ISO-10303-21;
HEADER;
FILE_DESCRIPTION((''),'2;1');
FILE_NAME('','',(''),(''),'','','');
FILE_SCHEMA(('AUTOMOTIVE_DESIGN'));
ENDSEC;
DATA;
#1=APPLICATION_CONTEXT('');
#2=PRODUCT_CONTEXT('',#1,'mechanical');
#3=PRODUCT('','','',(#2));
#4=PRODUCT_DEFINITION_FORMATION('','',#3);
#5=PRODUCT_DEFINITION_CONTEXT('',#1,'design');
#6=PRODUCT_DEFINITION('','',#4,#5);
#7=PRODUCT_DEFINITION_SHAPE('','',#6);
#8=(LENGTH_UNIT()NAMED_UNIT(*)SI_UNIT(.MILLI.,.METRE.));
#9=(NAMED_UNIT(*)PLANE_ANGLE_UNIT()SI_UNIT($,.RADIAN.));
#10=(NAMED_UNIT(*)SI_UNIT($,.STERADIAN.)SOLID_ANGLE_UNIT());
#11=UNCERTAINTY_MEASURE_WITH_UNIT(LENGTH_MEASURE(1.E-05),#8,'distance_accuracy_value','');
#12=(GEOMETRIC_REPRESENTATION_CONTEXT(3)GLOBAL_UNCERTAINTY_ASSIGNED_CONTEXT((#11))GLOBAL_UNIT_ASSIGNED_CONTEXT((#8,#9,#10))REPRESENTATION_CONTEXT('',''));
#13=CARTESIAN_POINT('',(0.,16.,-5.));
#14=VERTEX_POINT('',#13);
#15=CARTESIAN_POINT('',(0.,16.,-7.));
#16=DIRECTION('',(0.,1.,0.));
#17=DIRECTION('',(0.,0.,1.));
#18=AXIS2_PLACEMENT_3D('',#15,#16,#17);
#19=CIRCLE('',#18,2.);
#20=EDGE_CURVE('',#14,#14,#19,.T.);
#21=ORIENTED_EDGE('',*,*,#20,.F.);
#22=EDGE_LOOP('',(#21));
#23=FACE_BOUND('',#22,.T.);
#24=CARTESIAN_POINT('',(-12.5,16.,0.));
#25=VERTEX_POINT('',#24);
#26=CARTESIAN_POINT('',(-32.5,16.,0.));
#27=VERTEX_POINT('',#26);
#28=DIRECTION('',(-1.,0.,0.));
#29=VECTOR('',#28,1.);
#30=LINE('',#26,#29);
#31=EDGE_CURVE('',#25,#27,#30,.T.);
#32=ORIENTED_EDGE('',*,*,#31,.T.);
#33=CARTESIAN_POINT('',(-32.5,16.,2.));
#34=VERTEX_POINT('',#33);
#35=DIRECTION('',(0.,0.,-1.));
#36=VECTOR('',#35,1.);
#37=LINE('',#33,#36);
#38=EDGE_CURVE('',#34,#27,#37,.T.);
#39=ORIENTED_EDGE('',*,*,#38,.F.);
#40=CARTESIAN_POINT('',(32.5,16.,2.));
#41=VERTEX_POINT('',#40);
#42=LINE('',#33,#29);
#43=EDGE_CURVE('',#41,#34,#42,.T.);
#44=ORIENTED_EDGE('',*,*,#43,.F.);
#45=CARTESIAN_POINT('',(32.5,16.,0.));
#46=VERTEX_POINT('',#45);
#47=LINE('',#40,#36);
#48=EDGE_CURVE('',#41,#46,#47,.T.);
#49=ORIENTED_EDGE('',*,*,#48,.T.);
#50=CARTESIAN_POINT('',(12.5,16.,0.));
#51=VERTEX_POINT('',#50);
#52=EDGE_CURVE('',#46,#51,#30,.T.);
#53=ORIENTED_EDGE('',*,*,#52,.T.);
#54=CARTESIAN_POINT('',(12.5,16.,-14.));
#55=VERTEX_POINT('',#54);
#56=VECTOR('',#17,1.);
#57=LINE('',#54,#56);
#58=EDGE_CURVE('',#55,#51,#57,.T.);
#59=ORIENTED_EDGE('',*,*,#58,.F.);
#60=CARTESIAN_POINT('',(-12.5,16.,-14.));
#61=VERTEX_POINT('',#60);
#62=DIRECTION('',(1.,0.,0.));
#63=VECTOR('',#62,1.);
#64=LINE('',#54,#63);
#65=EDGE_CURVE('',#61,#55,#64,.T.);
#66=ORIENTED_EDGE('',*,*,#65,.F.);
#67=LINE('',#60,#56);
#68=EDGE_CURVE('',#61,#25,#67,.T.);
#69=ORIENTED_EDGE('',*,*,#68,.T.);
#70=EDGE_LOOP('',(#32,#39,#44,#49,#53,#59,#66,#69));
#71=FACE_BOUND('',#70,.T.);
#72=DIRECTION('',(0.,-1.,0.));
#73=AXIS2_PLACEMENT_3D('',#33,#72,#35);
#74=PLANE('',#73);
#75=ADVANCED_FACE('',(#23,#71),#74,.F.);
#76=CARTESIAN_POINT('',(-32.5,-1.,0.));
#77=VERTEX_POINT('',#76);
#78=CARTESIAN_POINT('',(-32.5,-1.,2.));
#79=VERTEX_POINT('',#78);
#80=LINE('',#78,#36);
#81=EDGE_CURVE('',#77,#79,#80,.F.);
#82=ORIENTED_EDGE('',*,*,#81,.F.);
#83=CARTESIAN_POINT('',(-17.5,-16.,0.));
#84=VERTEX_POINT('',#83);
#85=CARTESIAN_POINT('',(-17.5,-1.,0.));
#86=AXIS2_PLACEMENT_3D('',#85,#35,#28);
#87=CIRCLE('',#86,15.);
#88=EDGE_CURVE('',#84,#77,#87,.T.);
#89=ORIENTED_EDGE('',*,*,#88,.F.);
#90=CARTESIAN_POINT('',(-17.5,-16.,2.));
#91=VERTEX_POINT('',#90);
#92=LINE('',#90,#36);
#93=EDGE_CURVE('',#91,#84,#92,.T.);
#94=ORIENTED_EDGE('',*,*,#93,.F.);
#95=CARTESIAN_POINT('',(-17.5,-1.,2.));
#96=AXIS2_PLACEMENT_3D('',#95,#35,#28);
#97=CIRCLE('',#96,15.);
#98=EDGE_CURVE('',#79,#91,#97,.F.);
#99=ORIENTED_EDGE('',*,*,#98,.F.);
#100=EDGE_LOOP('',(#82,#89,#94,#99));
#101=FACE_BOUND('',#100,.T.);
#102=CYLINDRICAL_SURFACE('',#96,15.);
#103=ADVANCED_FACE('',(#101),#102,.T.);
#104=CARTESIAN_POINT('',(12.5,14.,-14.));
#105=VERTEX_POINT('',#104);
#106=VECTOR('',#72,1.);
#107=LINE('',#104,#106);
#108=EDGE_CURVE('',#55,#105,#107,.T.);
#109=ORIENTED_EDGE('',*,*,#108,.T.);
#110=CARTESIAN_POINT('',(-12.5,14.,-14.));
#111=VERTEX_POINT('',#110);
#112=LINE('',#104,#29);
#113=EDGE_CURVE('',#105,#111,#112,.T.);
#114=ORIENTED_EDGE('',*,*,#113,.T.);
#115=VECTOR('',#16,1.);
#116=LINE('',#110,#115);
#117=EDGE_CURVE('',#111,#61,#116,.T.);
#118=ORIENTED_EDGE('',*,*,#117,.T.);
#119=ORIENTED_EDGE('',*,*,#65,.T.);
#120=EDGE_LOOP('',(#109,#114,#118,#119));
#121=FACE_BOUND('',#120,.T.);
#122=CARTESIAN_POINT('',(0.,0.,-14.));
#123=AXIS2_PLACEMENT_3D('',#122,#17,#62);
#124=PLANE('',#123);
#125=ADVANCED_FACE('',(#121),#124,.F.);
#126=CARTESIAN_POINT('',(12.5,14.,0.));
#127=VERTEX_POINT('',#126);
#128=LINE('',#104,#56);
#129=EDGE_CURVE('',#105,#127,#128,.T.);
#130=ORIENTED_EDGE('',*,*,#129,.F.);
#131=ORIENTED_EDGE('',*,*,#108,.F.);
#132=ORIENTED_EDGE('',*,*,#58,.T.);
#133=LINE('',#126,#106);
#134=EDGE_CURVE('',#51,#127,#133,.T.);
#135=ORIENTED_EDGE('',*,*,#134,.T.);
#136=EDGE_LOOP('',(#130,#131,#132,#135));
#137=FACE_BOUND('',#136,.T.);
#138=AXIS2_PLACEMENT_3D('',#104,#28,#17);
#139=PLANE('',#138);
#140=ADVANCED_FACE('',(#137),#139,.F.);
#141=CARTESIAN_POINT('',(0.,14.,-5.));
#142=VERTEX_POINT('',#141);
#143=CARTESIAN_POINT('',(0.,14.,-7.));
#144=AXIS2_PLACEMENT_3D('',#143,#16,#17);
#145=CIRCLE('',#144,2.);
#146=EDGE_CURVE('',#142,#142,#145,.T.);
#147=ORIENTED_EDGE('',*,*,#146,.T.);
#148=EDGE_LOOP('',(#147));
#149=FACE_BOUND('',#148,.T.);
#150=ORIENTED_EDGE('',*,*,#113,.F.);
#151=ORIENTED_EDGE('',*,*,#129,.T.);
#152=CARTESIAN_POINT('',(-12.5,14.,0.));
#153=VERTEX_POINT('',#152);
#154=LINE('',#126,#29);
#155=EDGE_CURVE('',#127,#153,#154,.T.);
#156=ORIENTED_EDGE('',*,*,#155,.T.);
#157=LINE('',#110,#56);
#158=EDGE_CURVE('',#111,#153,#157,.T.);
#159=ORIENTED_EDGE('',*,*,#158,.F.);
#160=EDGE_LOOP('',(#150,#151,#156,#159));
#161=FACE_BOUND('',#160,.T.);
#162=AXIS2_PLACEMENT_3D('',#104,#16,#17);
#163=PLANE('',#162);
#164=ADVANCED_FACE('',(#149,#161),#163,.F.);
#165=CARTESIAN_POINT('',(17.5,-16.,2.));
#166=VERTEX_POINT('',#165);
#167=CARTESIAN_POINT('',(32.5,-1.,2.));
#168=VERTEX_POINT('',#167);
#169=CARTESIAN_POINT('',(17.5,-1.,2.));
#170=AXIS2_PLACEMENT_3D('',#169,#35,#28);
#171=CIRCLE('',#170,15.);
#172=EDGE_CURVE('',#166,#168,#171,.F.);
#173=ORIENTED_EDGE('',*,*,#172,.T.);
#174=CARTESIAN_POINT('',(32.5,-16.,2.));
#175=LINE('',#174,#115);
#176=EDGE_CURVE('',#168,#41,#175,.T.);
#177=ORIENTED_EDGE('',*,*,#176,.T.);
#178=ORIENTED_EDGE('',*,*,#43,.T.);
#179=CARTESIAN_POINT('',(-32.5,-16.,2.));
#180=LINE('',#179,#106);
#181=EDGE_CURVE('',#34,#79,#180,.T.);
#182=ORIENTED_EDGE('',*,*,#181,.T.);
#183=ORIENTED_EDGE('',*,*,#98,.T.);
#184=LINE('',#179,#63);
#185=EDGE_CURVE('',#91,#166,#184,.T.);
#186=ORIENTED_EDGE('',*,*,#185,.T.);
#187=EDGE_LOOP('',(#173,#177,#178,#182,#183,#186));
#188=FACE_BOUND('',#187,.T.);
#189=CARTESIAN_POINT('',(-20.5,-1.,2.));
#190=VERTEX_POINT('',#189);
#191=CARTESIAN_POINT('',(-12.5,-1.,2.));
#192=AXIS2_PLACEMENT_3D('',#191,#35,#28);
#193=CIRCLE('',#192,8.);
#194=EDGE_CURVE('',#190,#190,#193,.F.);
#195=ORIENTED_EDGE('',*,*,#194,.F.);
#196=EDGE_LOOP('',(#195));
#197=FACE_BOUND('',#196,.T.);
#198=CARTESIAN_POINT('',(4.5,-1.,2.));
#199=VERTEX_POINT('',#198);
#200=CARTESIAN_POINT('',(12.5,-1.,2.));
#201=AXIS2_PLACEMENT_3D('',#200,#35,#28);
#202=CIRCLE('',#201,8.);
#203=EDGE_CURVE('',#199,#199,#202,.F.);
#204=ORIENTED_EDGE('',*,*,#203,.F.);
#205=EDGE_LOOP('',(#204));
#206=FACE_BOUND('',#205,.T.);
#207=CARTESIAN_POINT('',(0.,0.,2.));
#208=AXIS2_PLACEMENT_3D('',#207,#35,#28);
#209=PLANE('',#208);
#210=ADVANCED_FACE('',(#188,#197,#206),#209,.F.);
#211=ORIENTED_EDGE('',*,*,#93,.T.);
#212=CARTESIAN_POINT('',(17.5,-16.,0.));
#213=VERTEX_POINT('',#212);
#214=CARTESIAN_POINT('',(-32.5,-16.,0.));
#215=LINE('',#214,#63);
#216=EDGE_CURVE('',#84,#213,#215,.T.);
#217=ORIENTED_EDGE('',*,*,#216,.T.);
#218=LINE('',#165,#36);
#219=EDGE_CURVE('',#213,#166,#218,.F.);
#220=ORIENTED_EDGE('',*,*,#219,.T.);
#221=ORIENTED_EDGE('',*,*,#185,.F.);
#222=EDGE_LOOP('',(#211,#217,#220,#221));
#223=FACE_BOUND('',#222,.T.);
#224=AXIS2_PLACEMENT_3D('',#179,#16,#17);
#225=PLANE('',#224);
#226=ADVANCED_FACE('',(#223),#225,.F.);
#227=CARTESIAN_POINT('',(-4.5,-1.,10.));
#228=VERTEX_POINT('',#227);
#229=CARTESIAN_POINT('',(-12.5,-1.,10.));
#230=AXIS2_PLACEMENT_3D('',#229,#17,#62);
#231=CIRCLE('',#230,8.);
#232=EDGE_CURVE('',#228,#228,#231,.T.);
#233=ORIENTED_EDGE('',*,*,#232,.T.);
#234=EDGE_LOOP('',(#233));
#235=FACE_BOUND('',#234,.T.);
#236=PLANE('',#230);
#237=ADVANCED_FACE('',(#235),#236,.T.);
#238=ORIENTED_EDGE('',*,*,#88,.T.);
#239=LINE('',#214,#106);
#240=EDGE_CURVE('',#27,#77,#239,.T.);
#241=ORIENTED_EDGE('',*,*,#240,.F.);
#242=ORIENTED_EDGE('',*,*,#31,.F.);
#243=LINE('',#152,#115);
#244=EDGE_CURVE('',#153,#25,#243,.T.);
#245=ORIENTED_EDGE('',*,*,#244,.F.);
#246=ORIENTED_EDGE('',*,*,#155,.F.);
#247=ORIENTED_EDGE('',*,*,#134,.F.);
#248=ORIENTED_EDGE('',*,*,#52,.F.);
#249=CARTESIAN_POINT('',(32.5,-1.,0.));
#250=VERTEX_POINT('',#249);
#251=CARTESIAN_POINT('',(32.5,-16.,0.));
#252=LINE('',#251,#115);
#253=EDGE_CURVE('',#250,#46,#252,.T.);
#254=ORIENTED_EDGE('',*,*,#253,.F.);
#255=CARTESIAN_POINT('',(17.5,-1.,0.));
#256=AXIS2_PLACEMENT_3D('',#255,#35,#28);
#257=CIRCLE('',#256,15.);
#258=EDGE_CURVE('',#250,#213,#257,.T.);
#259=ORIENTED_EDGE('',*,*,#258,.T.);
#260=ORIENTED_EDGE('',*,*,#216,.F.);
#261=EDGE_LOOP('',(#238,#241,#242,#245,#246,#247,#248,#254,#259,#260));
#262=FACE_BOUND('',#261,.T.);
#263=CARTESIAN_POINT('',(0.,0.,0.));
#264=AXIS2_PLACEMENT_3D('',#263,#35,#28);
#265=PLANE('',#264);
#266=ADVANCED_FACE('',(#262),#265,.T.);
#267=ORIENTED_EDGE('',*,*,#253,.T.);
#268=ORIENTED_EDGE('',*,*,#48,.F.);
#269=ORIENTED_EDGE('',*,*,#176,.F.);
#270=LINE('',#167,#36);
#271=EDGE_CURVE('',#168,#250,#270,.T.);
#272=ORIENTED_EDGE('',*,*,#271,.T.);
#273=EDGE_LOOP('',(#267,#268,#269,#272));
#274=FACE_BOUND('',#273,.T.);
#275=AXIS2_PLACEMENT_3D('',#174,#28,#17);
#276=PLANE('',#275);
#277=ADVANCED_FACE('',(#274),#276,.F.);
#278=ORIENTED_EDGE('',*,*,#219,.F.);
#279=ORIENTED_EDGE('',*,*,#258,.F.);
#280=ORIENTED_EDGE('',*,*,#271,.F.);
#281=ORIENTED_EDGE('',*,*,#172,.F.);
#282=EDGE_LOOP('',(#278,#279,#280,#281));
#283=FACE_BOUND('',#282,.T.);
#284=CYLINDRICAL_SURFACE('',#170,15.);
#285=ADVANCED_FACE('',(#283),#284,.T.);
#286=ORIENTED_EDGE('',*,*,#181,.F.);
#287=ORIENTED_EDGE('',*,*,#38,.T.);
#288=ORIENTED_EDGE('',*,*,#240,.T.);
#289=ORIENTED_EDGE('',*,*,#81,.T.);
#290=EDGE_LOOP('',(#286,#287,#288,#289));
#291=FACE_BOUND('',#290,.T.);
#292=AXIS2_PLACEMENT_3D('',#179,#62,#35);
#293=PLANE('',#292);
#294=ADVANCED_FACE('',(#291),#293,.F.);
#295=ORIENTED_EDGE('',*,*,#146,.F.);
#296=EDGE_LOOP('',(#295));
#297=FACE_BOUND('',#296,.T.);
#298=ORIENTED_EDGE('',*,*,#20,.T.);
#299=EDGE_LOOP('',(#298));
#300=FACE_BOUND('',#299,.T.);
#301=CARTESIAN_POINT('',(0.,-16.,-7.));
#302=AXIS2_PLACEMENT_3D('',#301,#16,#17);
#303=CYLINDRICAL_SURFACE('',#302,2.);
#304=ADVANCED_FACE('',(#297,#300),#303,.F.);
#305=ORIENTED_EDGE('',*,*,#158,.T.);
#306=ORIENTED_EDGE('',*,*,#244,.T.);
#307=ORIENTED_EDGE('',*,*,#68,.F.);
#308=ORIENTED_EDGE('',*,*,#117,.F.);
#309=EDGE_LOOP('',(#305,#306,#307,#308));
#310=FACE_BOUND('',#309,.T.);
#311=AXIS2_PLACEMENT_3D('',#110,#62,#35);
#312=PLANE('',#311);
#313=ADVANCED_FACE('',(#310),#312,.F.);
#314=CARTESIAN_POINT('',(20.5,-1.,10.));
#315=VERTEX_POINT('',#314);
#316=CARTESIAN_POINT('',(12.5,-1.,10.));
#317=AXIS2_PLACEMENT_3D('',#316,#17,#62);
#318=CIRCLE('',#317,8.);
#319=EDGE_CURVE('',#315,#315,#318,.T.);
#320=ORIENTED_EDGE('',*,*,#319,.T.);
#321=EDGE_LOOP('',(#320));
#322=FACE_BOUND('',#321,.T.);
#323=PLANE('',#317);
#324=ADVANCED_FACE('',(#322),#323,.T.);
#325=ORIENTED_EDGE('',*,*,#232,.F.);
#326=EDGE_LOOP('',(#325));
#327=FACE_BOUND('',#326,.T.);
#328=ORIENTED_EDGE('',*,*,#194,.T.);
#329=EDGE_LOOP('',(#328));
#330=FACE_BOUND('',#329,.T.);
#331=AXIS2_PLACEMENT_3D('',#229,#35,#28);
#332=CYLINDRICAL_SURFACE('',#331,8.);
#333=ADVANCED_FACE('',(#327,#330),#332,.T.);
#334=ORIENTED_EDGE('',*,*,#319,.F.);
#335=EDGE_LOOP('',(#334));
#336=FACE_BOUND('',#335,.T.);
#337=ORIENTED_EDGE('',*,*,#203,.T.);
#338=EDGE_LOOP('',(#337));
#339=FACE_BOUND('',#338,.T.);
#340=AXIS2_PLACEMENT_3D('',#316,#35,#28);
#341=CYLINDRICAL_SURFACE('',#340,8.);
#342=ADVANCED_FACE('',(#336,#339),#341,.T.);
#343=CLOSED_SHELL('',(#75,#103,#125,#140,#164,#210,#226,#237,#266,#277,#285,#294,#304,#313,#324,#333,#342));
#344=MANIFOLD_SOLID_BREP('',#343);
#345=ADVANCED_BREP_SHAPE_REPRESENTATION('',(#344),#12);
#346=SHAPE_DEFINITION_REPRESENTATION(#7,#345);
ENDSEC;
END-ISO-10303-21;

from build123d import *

# Parameters (mm, degrees)
SKETCH1_W           = 65
SKETCH1_H           = 32
BOSS_EXTRUDE1_DEPTH = 2
SKETCH3_W           = 25
SKETCH3_H           = 2
BOSS_EXTRUDE2_DEPTH = 14
FILLET1_R           = 15
SKETCH4_R           = 2
CUT_EXTRUDE2_DEPTH  = 33
SKETCH2_R           = 8
BOSS_EXTRUDE3_DEPTH = 8


with BuildPart() as part:
    # Sketch1 → Boss-Extrude1 (new body)
    with BuildSketch(Plane.XY):
        Rectangle(SKETCH1_W, SKETCH1_H)
    extrude(amount=BOSS_EXTRUDE1_DEPTH)

    # Sketch3 → Boss-Extrude2 (add)
    with BuildSketch(Plane(origin=(0, 0, 0), x_dir=(-1, 0, 0), z_dir=(0, 0, -1))):
        with Locations((0, 15)):
            Rectangle(SKETCH3_W, SKETCH3_H)
    extrude(amount=BOSS_EXTRUDE2_DEPTH)

    # Fillet1
    fillet1_edges = [part.edges().sort_by_distance(p)[0] for p in [
        (32.5, -16, 1),
        (-32.5, -16, 1),
    ]]
    fillet(fillet1_edges, radius=FILLET1_R)

    # Sketch4 → Cut-Extrude2 (cut, through all)
    with BuildSketch(Plane(origin=(0, 16, 0), x_dir=(1, 0, 0), z_dir=(0, 1, 0))):
        with Locations((0, 7)):
            Circle(SKETCH4_R)
    extrude(amount=-CUT_EXTRUDE2_DEPTH, mode=Mode.SUBTRACT)

    # Sketch2 → Boss-Extrude3 (add)
    with BuildSketch(Plane.XY.offset(2)):
        with Locations((-12.5, -1)):
            Circle(SKETCH2_R)
        with Locations((12.5, -1)):
            Circle(SKETCH2_R)
    extrude(amount=BOSS_EXTRUDE3_DEPTH)


solid = part.part
